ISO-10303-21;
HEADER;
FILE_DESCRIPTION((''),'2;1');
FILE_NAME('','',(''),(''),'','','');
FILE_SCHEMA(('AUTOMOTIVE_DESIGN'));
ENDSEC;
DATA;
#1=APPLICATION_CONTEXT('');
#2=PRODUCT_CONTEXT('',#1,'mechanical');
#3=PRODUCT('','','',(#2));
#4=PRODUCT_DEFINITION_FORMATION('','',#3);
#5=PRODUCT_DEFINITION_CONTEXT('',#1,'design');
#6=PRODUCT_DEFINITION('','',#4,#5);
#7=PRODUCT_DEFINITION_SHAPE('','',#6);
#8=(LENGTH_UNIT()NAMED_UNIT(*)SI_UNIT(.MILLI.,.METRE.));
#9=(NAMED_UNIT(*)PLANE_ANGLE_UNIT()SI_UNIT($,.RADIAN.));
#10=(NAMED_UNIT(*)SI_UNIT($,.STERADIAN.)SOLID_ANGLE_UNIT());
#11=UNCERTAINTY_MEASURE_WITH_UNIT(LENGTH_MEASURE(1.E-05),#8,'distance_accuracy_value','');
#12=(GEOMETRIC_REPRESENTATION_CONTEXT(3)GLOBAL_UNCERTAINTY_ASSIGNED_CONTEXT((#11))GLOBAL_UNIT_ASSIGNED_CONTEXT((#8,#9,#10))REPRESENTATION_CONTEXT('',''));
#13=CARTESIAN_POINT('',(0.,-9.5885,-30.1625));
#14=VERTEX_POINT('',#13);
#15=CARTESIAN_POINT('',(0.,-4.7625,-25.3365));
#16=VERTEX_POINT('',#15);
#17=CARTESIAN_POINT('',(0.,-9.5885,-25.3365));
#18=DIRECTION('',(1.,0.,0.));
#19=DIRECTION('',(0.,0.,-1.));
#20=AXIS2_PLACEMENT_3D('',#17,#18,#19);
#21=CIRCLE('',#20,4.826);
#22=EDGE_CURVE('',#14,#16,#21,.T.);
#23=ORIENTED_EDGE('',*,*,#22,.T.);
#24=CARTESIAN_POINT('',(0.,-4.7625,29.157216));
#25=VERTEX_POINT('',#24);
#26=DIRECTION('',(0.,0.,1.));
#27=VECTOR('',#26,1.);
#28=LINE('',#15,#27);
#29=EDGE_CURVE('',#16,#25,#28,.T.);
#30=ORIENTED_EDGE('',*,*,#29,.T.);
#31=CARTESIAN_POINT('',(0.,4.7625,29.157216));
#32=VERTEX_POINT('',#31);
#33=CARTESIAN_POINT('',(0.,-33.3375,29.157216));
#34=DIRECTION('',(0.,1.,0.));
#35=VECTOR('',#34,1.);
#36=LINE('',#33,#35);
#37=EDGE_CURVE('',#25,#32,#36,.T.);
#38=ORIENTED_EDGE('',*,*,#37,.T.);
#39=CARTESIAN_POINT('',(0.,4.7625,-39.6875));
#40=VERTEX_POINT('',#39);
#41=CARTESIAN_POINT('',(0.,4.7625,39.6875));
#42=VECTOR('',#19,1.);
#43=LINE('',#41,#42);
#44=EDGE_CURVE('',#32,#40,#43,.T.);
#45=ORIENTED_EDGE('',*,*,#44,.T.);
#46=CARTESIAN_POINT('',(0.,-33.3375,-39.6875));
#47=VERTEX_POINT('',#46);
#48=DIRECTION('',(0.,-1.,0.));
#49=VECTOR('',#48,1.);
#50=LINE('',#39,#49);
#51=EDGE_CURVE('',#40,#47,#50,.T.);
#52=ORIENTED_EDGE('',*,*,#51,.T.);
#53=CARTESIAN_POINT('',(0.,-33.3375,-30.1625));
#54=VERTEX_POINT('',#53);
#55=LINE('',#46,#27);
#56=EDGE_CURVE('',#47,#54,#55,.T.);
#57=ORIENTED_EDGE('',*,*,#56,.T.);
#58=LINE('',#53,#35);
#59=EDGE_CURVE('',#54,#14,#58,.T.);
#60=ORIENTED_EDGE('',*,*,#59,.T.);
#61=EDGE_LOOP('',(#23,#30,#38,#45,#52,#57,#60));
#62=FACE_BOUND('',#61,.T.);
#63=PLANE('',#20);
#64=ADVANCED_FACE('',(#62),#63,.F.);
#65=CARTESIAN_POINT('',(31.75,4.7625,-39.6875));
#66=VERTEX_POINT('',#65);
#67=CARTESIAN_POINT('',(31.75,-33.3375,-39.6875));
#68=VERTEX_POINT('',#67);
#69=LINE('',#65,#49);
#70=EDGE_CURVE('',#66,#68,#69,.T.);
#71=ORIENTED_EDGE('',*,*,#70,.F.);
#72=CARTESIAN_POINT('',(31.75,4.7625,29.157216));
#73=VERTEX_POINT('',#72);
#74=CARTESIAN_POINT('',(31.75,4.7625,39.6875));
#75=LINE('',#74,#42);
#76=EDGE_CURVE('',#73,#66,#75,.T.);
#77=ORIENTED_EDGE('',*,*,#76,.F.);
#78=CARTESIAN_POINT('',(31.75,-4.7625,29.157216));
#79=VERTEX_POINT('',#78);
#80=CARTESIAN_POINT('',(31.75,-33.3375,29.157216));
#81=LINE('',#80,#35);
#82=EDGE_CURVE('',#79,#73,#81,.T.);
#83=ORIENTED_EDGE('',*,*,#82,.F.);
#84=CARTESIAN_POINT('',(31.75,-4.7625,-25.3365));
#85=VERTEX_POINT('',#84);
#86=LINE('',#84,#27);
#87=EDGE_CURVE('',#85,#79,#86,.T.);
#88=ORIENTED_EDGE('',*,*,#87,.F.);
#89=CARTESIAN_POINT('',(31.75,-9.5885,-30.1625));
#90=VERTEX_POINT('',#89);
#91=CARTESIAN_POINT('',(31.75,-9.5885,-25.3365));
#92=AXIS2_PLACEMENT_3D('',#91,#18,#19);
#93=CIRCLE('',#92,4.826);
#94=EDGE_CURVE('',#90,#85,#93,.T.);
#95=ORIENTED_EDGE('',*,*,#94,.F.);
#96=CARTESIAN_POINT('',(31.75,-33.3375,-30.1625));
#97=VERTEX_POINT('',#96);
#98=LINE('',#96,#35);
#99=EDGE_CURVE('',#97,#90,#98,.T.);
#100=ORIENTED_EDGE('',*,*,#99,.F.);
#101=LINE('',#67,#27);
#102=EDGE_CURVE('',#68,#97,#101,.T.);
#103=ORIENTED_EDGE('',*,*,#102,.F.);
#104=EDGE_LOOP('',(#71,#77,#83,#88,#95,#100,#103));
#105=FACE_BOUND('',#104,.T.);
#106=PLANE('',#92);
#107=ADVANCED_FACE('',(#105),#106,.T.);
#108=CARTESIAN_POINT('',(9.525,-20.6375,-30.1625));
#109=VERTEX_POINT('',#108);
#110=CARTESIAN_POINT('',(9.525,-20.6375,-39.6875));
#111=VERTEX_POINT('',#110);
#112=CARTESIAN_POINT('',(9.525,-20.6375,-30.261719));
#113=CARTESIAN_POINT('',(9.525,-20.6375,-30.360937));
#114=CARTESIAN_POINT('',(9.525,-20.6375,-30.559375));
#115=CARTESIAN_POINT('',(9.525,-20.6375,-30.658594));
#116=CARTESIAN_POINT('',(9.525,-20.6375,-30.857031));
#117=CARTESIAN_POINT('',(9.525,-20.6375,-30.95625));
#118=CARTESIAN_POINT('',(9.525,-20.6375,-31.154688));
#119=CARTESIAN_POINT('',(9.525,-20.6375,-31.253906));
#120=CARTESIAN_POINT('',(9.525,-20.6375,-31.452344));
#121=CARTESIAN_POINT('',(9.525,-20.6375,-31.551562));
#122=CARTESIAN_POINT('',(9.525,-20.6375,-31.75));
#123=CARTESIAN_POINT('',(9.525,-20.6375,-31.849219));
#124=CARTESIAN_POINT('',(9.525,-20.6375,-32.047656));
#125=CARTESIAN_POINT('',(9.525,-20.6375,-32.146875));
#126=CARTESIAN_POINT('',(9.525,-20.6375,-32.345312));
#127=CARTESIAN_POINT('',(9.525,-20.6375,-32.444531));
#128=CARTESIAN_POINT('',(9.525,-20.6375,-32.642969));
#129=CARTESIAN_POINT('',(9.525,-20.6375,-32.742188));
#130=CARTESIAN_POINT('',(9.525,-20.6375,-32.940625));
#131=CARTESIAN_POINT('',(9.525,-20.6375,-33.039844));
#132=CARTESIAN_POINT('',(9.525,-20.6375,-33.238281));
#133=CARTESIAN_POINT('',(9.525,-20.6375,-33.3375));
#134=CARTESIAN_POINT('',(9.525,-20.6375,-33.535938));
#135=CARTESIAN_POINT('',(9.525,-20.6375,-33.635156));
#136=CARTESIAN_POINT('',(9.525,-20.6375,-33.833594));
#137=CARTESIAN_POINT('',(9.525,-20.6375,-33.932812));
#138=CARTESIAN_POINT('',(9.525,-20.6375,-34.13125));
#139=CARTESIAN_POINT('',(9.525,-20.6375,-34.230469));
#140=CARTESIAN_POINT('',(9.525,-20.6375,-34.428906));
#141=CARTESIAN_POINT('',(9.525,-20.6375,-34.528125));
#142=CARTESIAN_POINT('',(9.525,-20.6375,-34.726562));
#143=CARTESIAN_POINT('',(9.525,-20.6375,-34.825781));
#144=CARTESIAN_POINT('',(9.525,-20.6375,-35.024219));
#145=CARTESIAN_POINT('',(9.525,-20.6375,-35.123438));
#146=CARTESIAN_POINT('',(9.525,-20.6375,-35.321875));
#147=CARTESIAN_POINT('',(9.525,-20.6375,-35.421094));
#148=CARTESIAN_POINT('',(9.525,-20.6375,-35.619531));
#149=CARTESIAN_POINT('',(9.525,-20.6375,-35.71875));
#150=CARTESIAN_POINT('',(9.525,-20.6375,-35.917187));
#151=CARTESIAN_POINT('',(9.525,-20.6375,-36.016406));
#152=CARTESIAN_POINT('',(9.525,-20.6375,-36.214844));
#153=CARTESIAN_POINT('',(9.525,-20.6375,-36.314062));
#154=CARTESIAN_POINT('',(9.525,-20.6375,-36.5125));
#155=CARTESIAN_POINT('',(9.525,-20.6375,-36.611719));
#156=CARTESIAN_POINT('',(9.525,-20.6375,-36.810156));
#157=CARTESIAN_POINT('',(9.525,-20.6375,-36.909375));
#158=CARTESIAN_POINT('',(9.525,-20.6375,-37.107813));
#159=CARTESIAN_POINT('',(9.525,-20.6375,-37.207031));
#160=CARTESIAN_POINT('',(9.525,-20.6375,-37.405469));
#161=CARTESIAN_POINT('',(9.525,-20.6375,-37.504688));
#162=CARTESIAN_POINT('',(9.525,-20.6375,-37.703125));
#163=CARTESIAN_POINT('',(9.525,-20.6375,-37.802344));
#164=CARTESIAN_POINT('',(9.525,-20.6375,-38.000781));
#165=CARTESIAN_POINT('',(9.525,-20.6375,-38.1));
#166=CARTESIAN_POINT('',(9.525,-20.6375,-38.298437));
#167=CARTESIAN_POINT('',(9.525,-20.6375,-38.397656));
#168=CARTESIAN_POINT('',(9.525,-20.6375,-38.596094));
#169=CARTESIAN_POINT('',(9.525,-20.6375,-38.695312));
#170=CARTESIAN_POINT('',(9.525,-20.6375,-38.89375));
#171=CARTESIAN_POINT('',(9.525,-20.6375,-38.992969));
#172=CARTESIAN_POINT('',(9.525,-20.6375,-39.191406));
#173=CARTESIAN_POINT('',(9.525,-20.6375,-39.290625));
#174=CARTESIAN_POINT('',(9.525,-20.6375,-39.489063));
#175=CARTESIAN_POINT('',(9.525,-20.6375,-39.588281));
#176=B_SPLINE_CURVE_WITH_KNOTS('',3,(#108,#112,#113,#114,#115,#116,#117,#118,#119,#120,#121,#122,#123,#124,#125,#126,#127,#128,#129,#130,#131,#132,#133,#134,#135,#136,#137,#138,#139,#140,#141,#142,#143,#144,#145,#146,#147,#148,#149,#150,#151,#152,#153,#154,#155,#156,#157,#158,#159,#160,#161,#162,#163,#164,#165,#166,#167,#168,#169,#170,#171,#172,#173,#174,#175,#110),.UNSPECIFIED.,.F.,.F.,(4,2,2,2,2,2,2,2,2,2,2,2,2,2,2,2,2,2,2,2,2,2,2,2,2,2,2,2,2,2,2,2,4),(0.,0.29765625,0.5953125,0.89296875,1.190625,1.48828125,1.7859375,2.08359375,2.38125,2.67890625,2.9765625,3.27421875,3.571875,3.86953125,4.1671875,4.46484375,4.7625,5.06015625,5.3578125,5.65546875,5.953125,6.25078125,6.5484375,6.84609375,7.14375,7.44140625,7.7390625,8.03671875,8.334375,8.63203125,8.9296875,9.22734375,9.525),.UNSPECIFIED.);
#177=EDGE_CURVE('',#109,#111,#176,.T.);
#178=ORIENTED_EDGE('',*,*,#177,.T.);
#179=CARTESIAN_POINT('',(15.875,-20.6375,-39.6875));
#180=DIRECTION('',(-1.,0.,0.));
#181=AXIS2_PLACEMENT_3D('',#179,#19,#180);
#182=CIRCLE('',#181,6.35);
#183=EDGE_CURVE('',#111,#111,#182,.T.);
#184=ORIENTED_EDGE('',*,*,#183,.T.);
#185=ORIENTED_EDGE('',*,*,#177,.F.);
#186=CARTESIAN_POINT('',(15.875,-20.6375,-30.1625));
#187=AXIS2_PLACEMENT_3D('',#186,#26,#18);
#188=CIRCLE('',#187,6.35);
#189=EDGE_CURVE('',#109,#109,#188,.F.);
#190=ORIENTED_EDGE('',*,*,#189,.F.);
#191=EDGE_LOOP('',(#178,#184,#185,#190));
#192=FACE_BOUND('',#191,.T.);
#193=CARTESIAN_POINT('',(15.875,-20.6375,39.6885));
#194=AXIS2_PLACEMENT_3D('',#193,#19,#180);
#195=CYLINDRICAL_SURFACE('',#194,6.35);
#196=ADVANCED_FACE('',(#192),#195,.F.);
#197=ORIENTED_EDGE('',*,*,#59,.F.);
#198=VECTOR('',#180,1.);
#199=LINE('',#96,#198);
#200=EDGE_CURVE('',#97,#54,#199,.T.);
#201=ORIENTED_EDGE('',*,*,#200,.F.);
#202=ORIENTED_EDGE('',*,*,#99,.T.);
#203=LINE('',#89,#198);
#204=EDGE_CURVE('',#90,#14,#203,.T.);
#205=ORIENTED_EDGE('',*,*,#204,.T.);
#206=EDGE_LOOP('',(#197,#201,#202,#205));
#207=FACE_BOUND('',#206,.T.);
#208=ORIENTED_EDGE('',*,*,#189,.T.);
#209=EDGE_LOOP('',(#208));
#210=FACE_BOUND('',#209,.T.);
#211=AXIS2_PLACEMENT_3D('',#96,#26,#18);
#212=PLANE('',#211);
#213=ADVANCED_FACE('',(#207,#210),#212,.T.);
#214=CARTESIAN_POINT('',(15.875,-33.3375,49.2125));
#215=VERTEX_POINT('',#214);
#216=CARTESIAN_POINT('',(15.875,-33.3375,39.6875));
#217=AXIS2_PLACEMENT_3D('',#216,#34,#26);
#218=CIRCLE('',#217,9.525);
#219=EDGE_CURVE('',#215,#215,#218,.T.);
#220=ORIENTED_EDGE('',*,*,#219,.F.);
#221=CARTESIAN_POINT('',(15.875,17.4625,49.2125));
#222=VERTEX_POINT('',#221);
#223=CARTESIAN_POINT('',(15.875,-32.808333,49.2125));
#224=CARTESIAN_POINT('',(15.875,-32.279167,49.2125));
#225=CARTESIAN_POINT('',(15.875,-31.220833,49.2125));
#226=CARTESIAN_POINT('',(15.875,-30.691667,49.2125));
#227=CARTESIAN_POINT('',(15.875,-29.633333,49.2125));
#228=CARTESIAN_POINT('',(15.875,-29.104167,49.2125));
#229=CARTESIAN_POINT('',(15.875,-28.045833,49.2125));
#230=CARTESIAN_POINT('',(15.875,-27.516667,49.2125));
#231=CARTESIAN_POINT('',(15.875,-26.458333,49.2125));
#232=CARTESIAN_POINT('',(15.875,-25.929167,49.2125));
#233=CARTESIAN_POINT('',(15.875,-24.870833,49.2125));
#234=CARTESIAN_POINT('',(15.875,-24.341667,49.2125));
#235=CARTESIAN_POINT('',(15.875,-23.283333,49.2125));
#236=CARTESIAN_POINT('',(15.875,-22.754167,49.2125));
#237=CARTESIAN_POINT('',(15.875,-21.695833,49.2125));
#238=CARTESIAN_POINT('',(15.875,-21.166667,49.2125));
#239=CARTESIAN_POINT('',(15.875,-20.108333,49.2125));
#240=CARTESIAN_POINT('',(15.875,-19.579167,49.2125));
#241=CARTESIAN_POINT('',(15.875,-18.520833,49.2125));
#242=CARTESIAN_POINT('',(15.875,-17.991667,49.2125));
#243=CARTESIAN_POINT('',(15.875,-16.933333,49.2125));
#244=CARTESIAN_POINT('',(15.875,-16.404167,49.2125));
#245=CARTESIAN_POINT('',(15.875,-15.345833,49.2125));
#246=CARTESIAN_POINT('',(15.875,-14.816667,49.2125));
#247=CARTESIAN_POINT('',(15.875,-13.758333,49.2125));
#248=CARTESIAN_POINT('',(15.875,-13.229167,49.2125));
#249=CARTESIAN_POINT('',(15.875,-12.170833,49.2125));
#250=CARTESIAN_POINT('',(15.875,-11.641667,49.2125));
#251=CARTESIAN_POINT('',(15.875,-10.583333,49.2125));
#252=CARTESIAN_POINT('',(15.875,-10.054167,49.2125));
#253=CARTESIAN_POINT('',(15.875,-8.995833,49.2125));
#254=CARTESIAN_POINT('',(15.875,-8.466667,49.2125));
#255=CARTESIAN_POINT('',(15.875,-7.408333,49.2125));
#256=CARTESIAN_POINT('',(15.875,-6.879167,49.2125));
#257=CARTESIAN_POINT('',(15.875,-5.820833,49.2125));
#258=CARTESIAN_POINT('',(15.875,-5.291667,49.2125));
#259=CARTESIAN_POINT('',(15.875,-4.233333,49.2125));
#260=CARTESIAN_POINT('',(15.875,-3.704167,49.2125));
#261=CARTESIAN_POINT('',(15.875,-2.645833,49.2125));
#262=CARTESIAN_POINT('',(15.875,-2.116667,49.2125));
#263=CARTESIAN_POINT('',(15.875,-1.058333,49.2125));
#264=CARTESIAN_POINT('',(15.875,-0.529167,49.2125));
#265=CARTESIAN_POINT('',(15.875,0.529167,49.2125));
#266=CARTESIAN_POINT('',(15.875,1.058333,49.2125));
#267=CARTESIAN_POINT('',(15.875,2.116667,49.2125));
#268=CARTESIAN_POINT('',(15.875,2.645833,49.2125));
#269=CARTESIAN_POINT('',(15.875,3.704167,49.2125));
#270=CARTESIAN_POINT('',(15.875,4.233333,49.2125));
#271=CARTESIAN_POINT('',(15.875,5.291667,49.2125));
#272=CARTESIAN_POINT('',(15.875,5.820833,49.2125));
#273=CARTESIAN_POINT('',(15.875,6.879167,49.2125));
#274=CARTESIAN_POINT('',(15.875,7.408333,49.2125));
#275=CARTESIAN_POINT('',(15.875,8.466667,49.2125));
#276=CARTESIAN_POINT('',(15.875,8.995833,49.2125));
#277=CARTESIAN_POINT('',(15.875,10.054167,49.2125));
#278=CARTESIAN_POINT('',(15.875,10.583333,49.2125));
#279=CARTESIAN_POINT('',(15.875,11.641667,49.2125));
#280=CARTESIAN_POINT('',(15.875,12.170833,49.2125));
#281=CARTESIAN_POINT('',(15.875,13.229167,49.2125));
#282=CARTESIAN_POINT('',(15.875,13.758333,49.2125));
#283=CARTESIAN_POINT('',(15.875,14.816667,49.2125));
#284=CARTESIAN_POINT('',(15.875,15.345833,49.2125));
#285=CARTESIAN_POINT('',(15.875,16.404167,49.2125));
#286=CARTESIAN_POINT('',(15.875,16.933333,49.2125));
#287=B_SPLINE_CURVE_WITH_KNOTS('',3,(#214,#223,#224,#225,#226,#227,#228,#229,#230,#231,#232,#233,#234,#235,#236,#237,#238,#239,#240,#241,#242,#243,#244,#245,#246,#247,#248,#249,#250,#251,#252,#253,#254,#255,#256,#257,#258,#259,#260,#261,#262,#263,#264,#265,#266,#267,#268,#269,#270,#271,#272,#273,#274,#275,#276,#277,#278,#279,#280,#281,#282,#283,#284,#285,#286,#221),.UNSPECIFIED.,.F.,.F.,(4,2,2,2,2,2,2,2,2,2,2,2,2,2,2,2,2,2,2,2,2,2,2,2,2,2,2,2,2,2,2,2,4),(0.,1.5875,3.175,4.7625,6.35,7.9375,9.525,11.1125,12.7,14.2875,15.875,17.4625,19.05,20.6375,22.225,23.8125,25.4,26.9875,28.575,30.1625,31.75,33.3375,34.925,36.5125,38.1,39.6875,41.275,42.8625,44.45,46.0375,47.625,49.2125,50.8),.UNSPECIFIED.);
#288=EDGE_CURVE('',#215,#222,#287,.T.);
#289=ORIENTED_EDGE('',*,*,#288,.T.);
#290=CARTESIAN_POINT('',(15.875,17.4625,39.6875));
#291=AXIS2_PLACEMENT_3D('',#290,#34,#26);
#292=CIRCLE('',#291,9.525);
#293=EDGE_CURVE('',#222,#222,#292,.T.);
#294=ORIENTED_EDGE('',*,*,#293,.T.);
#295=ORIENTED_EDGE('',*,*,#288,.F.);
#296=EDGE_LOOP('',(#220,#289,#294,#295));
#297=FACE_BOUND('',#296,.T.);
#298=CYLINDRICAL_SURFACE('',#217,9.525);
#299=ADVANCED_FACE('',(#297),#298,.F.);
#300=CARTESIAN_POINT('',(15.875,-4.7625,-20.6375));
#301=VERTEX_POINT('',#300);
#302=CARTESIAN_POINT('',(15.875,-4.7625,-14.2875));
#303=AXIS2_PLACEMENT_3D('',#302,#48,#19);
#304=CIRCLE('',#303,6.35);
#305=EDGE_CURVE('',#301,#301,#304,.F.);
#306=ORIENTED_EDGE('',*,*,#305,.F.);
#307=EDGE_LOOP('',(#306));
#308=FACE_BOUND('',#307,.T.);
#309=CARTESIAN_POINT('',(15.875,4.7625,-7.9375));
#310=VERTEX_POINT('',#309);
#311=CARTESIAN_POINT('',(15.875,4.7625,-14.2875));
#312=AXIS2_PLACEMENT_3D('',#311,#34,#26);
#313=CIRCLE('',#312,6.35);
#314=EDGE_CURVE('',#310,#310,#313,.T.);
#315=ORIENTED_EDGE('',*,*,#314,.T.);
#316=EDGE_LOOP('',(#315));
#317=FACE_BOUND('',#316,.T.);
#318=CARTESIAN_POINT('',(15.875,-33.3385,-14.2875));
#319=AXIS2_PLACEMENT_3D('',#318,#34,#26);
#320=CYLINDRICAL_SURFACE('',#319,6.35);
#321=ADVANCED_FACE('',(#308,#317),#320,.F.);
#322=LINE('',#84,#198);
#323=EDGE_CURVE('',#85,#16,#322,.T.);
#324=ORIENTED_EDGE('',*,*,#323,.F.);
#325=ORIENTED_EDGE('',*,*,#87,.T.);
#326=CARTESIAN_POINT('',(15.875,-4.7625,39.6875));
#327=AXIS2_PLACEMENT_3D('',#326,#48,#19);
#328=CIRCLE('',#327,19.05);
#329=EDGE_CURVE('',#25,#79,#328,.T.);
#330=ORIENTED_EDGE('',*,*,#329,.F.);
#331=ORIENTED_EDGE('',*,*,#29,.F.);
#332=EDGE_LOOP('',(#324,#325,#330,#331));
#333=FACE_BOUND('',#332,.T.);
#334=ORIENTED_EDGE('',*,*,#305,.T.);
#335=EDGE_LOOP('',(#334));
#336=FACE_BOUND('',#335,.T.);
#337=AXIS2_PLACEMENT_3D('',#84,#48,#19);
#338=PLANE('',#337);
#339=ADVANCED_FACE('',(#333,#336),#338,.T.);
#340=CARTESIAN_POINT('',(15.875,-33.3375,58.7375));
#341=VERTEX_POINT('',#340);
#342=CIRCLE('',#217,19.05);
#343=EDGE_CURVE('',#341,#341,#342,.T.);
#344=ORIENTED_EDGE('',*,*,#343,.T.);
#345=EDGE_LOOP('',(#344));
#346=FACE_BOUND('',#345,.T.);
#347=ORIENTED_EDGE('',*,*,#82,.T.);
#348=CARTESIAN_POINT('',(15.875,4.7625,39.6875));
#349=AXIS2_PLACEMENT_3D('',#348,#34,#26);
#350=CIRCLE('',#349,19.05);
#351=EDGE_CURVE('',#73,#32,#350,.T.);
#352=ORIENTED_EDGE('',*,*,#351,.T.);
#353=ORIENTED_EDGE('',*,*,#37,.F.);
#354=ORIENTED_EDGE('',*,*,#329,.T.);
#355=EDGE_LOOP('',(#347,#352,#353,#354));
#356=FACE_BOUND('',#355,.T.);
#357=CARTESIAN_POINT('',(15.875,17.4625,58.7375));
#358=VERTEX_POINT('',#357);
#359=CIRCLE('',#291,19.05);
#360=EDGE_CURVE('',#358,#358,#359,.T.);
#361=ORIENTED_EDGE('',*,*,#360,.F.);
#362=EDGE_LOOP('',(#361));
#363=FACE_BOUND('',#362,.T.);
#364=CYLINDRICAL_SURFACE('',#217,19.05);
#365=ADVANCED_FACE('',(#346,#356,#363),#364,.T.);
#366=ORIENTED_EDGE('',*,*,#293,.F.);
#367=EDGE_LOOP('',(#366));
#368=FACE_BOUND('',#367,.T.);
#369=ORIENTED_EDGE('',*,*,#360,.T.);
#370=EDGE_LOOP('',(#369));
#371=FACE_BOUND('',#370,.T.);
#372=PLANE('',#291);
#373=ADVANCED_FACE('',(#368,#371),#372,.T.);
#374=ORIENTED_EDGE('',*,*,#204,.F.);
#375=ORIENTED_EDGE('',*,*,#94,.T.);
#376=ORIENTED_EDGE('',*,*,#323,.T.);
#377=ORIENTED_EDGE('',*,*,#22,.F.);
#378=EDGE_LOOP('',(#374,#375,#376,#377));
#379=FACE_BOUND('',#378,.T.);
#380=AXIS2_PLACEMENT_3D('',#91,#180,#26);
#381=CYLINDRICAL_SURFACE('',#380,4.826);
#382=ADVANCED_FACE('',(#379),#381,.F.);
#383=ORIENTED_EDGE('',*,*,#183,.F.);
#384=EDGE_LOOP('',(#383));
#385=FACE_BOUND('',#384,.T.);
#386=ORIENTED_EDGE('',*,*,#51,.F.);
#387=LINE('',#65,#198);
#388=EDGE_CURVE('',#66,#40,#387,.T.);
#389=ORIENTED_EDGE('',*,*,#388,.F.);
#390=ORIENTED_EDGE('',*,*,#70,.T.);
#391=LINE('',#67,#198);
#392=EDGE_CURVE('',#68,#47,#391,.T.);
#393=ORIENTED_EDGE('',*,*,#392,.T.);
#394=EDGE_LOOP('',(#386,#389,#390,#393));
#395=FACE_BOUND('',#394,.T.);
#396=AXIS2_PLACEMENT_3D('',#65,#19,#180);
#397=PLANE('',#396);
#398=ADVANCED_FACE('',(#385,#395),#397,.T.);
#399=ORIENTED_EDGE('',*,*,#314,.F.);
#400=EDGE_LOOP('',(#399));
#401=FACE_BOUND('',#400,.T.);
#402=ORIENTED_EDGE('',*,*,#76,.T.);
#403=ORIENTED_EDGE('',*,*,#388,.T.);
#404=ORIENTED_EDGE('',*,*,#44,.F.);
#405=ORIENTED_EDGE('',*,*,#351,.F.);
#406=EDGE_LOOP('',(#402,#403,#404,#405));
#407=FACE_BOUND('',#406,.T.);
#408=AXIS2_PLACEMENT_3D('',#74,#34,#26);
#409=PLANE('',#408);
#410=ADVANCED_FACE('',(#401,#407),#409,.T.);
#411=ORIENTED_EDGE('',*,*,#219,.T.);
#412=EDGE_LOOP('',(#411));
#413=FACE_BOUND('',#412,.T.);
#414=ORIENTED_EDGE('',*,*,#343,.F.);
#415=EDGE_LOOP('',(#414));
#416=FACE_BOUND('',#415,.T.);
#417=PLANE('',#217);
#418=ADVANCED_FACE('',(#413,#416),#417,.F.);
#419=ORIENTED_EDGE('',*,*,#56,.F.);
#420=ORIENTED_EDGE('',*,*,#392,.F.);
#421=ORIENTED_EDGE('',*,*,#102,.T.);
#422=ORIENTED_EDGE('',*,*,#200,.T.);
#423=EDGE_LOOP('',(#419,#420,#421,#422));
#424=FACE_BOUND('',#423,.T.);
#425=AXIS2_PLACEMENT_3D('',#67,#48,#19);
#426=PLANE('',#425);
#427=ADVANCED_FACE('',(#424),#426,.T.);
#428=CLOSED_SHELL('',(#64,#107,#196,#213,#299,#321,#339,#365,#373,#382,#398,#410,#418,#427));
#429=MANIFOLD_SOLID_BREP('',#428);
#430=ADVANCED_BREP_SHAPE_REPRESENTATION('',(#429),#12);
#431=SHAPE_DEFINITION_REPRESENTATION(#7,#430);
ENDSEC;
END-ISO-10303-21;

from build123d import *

# Parameters (mm, degrees)
SALIENTE_EXTRUIR1_DEPTH      = 31.75
CORTAR_EXTRUIR1_REACH        = 93.76
CROQUIS5_R                   = 6.35
CORTAR_EXTRUIR2_REACH        = 65.52
CROQUIS6_R                   = 6.35
SALIENTE_EXTRUIR2_DEPTH      = 12.7
SALIENTE_EXTRUIR2_DEPTH_BACK = 38.1
CROQUIS7_R                   = 19.05
CROQUIS8_R                   = 9.525
CORTAR_EXTRUIR3_DEPTH        = 86.149806408


with BuildPart() as part:
    # Croquis3 → Saliente-Extruir1 (new body)
    with BuildSketch(Plane(origin=(0, 0, 0), x_dir=(0, 0, -1), z_dir=(1, 0, 0))):
        with BuildLine():
            Line((39.6875, 4.7625), (39.6875, -33.3375))
            Line((39.6875, -33.3375), (30.1625, -33.3375))
            Line((30.1625, -33.3375), (30.1625, -9.5885))
            ThreePointArc((30.1625, -9.5885), (28.748997326, -6.176002674), (25.3365, -4.7625))
            Line((25.3365, -4.7625), (-39.6875, -4.7625))
            Line((-39.6875, -4.7625), (-39.6875, 4.7625))
            Line((-39.6875, 4.7625), (39.6875, 4.7625))
        make_face()
    extrude(amount=SALIENTE_EXTRUIR1_DEPTH)

    # Croquis5 → Cortar-Extruir1 (cut, up to next)
    with BuildSketch(Plane(origin=(0, 0, -39.6875), x_dir=(-1, 0, 0), z_dir=(0, 0, -1)), mode=Mode.PRIVATE) as cortar_extruir1_sk1:
        with Locations((-15.875, -20.6375)):
            Circle(CROQUIS5_R)
    cortar_extruir1_tool1 = extrude(cortar_extruir1_sk1.sketch, amount=-CORTAR_EXTRUIR1_REACH, mode=Mode.PRIVATE) & part.part
    add(cortar_extruir1_tool1.solids().sort_by_distance((15.875, -20.6375, -39.6875))[0], mode=Mode.SUBTRACT)

    # Croquis6 → Cortar-Extruir2 (cut, up to next)
    with BuildSketch(Plane(origin=(0, 4.7625, 0), x_dir=(1, 0, 0), z_dir=(0, 1, 0)), mode=Mode.PRIVATE) as cortar_extruir2_sk1:
        with Locations(Location((15.875, 14.2875, 0), (0, 0, 270))):
            Circle(CROQUIS6_R)
    cortar_extruir2_tool1 = extrude(cortar_extruir2_sk1.sketch, amount=-CORTAR_EXTRUIR2_REACH, mode=Mode.PRIVATE) & part.part
    add(cortar_extruir2_tool1.solids().sort_by_distance((15.875, 4.7625, -14.2875))[0], mode=Mode.SUBTRACT)

    # Croquis7 → Saliente-Extruir2 (add, two sides: drawn at the far end of the back side and taken through both)
    with BuildSketch(Plane(origin=(0, 4.7625, 0), x_dir=(1, 0, 0), z_dir=(0, 1, 0)).offset(-SALIENTE_EXTRUIR2_DEPTH_BACK)):
        with Locations(Location((15.875, -39.6875, 0), (0, 0, 270))):
            Circle(CROQUIS7_R)
    extrude(amount=SALIENTE_EXTRUIR2_DEPTH + SALIENTE_EXTRUIR2_DEPTH_BACK)

    # Croquis8 → Cortar-Extruir3 (cut, through all)
    with BuildSketch(Plane(origin=(0, 17.4625, 0), x_dir=(1, 0, 0), z_dir=(0, 1, 0))):
        with Locations(Location((15.875, -39.6875, 0), (0, 0, 270))):
            Circle(CROQUIS8_R)
    extrude(amount=-CORTAR_EXTRUIR3_DEPTH, mode=Mode.SUBTRACT)


solid = part.part
